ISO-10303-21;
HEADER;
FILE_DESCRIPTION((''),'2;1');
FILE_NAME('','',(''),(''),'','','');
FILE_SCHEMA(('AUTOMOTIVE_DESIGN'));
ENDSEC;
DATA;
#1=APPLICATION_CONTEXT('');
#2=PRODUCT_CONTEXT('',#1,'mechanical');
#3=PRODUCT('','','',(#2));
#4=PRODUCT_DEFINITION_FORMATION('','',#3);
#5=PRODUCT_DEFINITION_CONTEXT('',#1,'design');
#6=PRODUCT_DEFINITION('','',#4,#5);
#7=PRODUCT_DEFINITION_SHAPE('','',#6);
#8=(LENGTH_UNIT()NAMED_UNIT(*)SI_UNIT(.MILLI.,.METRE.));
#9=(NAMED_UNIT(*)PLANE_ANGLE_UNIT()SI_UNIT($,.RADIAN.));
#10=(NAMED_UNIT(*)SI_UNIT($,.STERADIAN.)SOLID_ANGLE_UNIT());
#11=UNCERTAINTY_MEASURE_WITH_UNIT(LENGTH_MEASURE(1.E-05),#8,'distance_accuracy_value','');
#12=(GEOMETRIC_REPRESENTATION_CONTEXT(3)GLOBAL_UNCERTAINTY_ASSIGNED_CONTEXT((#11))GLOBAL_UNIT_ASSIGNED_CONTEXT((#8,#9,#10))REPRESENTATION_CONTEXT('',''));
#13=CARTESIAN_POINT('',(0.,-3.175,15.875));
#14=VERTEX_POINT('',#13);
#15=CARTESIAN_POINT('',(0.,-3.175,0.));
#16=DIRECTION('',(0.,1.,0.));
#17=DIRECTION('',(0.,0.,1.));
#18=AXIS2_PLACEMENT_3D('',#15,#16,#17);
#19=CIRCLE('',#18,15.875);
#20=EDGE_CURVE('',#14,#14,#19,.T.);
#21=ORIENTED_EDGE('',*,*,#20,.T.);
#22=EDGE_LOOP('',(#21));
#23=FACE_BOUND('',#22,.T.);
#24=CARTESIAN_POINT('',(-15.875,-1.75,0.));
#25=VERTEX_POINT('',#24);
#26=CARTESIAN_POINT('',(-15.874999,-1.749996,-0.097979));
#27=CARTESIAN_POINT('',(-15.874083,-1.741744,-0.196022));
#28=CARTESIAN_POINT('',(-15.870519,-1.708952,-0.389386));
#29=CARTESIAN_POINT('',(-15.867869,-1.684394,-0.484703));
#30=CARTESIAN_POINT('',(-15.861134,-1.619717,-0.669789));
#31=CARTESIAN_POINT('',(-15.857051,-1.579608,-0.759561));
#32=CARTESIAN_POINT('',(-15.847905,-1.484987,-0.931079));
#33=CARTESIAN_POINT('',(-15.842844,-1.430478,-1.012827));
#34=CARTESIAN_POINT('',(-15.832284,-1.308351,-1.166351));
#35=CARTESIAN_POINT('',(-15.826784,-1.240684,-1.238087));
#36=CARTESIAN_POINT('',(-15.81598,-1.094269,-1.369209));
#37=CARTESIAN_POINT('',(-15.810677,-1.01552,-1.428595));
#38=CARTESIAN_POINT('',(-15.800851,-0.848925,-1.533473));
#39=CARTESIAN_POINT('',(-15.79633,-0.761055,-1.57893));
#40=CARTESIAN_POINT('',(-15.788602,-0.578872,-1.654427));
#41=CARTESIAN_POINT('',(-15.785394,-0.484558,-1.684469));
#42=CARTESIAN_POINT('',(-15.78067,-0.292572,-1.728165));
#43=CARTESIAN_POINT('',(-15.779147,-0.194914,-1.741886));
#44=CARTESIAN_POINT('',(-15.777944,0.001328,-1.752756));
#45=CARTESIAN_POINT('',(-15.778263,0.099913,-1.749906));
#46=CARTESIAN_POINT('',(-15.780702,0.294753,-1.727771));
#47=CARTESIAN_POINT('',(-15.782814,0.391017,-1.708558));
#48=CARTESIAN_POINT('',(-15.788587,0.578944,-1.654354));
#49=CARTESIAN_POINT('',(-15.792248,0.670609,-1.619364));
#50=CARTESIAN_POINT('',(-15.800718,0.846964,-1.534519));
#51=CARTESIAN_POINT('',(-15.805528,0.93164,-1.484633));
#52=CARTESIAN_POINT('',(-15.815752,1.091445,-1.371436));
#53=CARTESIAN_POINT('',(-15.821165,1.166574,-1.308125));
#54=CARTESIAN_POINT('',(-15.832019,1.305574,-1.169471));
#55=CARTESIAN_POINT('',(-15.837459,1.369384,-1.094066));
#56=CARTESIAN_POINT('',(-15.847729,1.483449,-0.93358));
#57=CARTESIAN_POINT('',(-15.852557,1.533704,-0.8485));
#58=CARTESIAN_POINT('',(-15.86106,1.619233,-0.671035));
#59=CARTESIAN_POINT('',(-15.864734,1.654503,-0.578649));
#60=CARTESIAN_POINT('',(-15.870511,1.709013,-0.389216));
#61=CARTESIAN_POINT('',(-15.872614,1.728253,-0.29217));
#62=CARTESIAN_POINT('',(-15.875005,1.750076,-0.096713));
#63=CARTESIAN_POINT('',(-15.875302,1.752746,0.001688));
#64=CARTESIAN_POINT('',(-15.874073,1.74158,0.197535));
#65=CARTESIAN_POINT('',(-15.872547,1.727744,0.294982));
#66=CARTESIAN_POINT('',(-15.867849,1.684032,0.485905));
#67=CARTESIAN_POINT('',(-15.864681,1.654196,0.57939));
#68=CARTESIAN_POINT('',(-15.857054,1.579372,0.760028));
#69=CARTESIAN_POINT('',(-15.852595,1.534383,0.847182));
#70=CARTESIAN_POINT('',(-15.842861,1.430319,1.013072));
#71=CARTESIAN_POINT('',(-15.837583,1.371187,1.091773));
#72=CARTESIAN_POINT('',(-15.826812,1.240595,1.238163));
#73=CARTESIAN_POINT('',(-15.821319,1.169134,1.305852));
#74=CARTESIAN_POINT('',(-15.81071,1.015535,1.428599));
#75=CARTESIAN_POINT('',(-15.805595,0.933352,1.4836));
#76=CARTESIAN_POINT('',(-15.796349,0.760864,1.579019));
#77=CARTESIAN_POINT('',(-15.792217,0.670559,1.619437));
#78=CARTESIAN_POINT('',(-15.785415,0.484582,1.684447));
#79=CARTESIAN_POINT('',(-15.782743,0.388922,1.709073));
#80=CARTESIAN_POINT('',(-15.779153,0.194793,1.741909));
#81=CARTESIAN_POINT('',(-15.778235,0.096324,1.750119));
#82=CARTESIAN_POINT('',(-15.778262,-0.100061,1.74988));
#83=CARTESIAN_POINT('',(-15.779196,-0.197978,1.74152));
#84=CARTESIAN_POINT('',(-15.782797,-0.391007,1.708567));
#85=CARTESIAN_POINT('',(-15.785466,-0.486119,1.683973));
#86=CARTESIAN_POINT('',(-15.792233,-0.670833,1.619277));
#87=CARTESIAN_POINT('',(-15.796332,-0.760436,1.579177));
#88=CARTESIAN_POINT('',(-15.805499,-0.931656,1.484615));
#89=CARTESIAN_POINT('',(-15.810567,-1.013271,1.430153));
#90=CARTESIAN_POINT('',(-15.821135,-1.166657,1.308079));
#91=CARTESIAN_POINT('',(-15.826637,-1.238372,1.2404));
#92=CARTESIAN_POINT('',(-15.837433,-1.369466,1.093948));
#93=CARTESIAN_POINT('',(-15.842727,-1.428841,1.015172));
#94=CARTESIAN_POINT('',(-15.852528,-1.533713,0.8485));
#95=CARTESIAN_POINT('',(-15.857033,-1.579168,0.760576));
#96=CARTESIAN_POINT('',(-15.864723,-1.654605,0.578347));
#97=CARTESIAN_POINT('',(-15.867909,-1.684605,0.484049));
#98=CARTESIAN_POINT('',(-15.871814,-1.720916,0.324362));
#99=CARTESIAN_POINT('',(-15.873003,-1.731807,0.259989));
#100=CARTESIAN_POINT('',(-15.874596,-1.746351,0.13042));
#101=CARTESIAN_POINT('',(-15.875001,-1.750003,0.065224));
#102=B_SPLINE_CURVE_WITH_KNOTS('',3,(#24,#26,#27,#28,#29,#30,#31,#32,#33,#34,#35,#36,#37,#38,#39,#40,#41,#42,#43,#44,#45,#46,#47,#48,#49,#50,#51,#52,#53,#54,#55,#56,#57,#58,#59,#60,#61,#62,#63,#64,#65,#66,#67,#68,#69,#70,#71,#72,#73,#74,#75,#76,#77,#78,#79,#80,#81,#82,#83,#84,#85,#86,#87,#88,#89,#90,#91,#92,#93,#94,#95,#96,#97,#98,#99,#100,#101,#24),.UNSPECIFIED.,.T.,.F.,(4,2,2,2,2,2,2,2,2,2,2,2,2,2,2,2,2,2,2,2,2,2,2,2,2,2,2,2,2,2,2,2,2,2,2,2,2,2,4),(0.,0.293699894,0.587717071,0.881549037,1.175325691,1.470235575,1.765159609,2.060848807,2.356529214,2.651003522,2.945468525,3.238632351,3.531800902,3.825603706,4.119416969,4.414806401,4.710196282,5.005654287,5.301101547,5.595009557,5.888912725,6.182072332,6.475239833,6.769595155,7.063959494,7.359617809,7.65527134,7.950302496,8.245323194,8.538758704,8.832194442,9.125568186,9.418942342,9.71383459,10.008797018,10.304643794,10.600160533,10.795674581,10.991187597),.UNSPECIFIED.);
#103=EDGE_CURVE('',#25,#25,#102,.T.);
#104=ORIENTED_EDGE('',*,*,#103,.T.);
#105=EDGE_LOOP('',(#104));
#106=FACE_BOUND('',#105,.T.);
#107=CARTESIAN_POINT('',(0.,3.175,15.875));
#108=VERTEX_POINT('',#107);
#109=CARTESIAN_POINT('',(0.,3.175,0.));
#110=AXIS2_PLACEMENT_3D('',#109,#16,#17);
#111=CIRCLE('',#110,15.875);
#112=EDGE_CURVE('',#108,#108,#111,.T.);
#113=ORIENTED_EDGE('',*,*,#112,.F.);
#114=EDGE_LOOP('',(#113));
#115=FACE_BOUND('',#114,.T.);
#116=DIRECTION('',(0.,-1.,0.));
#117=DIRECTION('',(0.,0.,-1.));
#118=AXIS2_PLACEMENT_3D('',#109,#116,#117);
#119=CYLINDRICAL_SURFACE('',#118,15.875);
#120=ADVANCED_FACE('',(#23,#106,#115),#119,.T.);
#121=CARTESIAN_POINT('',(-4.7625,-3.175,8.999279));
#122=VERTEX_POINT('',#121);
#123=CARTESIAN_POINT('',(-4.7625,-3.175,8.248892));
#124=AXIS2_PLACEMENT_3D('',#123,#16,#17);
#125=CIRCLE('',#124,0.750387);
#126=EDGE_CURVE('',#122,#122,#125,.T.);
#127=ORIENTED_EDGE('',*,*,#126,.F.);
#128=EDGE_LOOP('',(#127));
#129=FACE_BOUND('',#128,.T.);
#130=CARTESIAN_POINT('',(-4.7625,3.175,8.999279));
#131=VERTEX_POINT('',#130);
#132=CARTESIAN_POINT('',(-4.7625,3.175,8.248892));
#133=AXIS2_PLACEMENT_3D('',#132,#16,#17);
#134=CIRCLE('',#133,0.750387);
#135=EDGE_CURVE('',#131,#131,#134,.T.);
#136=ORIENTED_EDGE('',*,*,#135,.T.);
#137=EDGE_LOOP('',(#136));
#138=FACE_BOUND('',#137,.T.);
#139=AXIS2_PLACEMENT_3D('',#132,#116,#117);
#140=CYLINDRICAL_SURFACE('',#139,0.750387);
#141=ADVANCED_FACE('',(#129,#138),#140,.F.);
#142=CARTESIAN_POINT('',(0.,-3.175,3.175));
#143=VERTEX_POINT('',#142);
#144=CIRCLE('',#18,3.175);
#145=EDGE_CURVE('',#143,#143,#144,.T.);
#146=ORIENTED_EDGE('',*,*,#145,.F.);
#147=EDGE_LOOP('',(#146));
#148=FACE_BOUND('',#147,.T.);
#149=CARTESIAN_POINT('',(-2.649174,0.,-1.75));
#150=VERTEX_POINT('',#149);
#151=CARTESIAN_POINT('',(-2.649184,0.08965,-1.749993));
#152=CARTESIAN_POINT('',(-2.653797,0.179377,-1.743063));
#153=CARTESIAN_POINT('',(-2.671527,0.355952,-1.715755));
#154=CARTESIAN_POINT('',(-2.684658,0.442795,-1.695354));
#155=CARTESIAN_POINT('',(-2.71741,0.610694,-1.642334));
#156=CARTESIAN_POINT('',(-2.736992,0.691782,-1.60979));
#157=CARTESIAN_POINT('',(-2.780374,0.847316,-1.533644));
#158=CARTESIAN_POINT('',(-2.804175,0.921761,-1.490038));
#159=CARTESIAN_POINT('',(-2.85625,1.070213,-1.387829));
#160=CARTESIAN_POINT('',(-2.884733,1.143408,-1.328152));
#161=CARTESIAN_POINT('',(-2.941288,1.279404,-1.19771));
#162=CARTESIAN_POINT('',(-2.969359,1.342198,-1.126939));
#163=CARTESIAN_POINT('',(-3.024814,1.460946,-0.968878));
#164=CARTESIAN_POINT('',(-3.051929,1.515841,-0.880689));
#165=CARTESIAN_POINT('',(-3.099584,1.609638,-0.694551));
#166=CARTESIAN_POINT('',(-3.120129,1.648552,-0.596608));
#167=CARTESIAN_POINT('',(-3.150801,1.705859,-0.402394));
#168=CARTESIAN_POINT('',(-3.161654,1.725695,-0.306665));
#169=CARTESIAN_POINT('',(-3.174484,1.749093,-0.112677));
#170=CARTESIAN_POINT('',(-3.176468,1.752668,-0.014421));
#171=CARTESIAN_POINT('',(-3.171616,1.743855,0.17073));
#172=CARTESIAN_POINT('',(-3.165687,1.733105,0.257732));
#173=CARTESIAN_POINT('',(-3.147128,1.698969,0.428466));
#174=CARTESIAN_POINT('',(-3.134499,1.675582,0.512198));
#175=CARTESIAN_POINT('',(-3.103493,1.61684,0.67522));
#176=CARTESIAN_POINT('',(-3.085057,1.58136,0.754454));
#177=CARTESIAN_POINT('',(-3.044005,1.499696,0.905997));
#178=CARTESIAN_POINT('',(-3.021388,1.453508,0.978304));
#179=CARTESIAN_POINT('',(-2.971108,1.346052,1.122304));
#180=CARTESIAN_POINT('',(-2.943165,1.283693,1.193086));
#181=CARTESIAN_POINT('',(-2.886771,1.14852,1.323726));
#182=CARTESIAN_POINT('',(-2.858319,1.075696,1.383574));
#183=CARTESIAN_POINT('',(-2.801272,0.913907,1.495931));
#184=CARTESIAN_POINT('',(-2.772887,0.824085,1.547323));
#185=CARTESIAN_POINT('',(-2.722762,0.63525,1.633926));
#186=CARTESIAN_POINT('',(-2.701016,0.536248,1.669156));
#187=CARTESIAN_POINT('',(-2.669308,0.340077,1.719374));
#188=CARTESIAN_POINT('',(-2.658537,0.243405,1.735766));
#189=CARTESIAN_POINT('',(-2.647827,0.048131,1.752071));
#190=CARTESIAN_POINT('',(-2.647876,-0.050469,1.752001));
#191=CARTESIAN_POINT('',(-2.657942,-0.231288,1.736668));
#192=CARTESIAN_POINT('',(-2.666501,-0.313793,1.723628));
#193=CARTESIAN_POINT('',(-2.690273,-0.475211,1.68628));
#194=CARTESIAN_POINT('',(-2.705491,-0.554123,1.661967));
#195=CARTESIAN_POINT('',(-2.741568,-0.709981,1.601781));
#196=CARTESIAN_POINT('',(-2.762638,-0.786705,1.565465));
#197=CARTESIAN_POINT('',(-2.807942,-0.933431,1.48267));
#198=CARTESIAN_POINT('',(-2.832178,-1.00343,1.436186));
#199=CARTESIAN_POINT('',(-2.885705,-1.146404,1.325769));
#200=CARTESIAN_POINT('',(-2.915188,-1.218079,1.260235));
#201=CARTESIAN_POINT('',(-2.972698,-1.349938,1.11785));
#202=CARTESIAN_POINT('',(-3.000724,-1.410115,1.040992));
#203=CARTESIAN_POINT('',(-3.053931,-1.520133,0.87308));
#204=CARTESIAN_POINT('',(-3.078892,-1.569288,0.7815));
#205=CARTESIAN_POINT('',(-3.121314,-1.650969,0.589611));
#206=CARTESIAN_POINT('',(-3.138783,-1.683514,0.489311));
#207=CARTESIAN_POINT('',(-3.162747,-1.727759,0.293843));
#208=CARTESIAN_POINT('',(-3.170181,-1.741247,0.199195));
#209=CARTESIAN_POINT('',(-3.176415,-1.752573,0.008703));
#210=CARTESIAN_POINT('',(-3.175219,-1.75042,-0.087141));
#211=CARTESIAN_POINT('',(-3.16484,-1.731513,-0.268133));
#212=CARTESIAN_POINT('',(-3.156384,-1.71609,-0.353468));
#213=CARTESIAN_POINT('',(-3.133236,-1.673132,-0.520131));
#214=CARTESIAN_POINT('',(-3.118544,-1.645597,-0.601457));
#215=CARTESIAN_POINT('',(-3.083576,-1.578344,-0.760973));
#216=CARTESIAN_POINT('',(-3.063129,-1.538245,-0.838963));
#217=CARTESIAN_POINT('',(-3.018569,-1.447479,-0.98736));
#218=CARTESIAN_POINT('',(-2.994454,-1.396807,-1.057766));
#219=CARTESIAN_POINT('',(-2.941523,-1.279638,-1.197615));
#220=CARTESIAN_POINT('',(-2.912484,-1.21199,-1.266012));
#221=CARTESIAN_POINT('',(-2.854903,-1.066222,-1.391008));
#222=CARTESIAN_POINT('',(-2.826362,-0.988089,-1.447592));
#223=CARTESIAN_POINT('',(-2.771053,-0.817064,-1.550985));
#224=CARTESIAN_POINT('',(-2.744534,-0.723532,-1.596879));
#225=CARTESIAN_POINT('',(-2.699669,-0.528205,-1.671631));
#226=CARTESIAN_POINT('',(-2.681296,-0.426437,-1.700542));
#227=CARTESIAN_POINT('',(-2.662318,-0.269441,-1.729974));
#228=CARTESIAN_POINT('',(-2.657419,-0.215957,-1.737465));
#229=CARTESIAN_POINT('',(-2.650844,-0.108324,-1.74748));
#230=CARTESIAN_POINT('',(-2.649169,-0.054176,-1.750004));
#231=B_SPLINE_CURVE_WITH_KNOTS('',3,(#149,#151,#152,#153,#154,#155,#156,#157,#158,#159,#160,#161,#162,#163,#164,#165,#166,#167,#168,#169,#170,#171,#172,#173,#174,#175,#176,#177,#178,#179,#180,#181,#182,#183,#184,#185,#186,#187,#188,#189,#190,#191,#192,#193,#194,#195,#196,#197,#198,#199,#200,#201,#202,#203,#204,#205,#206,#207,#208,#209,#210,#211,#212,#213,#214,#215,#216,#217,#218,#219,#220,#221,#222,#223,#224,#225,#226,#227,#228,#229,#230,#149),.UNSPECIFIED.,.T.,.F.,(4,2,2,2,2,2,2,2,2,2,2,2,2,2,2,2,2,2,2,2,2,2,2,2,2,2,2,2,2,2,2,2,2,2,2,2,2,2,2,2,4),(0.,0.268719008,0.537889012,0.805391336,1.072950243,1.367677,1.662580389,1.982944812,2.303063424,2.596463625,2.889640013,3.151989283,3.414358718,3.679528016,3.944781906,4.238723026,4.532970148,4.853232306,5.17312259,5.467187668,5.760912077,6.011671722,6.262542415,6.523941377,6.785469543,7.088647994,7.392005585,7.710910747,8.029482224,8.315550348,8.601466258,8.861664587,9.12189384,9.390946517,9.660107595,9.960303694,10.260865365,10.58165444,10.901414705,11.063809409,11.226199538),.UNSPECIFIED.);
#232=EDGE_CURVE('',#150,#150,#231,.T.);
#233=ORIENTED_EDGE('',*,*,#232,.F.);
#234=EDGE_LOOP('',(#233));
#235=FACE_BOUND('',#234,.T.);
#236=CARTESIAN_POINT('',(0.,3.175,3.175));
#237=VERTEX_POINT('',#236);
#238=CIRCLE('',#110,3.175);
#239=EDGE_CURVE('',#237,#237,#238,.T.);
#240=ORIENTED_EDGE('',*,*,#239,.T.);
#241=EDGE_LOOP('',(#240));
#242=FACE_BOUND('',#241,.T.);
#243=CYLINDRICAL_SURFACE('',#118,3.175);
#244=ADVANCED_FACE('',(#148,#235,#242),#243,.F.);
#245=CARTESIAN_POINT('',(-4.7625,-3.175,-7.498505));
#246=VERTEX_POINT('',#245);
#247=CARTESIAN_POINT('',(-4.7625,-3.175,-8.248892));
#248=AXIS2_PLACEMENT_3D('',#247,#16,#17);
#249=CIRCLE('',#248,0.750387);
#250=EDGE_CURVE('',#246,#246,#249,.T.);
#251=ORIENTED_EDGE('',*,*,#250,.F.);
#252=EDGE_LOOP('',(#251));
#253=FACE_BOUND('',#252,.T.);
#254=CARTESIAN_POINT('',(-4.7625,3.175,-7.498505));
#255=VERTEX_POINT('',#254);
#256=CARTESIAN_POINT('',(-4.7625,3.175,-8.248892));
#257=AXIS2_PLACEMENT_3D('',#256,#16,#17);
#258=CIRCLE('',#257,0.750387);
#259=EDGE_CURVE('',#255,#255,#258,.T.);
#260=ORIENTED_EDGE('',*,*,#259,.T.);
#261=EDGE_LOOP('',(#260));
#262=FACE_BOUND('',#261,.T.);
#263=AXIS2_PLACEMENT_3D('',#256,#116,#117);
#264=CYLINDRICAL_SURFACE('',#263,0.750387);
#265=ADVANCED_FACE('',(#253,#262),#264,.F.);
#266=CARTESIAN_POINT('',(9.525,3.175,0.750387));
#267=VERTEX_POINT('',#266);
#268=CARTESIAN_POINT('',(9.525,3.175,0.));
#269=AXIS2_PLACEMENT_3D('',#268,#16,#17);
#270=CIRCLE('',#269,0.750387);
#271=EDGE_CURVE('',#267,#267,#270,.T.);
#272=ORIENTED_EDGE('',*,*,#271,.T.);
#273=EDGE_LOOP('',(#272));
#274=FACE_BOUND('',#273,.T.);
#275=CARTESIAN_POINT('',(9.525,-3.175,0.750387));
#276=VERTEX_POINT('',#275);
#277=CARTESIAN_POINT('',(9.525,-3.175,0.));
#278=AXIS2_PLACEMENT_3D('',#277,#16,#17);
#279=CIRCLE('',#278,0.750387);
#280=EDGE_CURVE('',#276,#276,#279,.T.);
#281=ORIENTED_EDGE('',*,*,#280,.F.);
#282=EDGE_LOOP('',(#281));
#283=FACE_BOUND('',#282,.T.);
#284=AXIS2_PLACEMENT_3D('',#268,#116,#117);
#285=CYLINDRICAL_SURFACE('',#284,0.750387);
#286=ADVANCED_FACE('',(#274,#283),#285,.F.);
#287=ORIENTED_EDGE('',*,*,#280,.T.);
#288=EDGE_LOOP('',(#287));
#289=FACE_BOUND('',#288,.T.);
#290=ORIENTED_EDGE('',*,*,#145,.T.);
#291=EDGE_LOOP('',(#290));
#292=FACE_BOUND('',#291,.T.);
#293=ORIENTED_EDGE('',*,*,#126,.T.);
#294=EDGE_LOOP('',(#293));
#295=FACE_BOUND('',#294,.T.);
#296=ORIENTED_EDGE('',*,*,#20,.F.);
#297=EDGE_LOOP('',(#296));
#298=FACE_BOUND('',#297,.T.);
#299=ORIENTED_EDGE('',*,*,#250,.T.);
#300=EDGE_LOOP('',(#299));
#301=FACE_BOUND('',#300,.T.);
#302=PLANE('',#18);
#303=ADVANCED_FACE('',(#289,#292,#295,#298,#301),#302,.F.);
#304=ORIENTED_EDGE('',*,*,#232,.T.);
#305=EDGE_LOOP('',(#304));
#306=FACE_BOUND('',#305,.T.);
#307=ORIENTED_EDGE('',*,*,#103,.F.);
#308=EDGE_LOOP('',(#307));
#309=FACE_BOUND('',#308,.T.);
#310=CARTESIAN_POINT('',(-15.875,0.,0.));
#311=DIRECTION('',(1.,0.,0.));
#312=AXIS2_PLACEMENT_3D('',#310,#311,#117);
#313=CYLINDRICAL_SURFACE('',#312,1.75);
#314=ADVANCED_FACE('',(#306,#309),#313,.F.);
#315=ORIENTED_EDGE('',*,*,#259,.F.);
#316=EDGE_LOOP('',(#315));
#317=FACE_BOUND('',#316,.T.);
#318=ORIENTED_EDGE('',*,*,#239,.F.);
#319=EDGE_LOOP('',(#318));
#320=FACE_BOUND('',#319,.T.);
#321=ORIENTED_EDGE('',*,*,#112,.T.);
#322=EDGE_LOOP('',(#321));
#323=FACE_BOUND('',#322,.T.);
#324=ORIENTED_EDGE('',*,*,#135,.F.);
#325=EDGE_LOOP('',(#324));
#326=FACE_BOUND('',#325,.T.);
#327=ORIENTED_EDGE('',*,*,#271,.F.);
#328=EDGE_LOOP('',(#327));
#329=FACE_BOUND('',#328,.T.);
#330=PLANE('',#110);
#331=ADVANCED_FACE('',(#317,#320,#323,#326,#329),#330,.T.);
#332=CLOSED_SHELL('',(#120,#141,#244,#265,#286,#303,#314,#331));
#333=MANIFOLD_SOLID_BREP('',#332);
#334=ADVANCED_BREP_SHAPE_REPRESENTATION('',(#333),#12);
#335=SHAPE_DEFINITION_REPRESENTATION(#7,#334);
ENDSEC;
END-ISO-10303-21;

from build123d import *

# Parameters (mm, degrees)
SKETCH1_R           = 15.875
SKETCH1_R_2         = 3.175
SKETCH1_R_3         = 0.750387242
BOSS_EXTRUDE2_DEPTH = 3.175
SKETCH3_R           = 1.750000056
CUT_EXTRUDE1_DEPTH  = 23.674035261


with BuildPart() as part:
    # Sketch1 → Boss-Extrude2 (new, symmetric)
    with BuildSketch(Plane(origin=(0, 0, 0), x_dir=(1, 0, 0), z_dir=(0, 1, 0))):
        with Locations(Location((0, 0, 0), (0, 0, 270))):
            Circle(SKETCH1_R)
        with Locations(Location((0, 0, 0), (0, 0, 270))):
            Circle(SKETCH1_R_2, mode=Mode.SUBTRACT)
        with Locations(Location((9.525, 0, 0), (0, 0, 270))):
            Circle(SKETCH1_R_3, mode=Mode.SUBTRACT)
        with Locations(Location((-4.7625, -8.248891971, 0), (0, 0, 270))):
            Circle(SKETCH1_R_3, mode=Mode.SUBTRACT)
        with Locations(Location((-4.7625, 8.248891971, 0), (0, 0, 270))):
            Circle(SKETCH1_R_3, mode=Mode.SUBTRACT)
    extrude(amount=BOSS_EXTRUDE2_DEPTH, both=True)

    # Sketch3 → Cut-Extrude1 (cut, through all)
    with BuildSketch(Plane(origin=(0, 0, 0), x_dir=(0, 0, -1), z_dir=(1, 0, 0))):
        Circle(SKETCH3_R)
    extrude(amount=-CUT_EXTRUDE1_DEPTH, mode=Mode.SUBTRACT)


solid = part.part
